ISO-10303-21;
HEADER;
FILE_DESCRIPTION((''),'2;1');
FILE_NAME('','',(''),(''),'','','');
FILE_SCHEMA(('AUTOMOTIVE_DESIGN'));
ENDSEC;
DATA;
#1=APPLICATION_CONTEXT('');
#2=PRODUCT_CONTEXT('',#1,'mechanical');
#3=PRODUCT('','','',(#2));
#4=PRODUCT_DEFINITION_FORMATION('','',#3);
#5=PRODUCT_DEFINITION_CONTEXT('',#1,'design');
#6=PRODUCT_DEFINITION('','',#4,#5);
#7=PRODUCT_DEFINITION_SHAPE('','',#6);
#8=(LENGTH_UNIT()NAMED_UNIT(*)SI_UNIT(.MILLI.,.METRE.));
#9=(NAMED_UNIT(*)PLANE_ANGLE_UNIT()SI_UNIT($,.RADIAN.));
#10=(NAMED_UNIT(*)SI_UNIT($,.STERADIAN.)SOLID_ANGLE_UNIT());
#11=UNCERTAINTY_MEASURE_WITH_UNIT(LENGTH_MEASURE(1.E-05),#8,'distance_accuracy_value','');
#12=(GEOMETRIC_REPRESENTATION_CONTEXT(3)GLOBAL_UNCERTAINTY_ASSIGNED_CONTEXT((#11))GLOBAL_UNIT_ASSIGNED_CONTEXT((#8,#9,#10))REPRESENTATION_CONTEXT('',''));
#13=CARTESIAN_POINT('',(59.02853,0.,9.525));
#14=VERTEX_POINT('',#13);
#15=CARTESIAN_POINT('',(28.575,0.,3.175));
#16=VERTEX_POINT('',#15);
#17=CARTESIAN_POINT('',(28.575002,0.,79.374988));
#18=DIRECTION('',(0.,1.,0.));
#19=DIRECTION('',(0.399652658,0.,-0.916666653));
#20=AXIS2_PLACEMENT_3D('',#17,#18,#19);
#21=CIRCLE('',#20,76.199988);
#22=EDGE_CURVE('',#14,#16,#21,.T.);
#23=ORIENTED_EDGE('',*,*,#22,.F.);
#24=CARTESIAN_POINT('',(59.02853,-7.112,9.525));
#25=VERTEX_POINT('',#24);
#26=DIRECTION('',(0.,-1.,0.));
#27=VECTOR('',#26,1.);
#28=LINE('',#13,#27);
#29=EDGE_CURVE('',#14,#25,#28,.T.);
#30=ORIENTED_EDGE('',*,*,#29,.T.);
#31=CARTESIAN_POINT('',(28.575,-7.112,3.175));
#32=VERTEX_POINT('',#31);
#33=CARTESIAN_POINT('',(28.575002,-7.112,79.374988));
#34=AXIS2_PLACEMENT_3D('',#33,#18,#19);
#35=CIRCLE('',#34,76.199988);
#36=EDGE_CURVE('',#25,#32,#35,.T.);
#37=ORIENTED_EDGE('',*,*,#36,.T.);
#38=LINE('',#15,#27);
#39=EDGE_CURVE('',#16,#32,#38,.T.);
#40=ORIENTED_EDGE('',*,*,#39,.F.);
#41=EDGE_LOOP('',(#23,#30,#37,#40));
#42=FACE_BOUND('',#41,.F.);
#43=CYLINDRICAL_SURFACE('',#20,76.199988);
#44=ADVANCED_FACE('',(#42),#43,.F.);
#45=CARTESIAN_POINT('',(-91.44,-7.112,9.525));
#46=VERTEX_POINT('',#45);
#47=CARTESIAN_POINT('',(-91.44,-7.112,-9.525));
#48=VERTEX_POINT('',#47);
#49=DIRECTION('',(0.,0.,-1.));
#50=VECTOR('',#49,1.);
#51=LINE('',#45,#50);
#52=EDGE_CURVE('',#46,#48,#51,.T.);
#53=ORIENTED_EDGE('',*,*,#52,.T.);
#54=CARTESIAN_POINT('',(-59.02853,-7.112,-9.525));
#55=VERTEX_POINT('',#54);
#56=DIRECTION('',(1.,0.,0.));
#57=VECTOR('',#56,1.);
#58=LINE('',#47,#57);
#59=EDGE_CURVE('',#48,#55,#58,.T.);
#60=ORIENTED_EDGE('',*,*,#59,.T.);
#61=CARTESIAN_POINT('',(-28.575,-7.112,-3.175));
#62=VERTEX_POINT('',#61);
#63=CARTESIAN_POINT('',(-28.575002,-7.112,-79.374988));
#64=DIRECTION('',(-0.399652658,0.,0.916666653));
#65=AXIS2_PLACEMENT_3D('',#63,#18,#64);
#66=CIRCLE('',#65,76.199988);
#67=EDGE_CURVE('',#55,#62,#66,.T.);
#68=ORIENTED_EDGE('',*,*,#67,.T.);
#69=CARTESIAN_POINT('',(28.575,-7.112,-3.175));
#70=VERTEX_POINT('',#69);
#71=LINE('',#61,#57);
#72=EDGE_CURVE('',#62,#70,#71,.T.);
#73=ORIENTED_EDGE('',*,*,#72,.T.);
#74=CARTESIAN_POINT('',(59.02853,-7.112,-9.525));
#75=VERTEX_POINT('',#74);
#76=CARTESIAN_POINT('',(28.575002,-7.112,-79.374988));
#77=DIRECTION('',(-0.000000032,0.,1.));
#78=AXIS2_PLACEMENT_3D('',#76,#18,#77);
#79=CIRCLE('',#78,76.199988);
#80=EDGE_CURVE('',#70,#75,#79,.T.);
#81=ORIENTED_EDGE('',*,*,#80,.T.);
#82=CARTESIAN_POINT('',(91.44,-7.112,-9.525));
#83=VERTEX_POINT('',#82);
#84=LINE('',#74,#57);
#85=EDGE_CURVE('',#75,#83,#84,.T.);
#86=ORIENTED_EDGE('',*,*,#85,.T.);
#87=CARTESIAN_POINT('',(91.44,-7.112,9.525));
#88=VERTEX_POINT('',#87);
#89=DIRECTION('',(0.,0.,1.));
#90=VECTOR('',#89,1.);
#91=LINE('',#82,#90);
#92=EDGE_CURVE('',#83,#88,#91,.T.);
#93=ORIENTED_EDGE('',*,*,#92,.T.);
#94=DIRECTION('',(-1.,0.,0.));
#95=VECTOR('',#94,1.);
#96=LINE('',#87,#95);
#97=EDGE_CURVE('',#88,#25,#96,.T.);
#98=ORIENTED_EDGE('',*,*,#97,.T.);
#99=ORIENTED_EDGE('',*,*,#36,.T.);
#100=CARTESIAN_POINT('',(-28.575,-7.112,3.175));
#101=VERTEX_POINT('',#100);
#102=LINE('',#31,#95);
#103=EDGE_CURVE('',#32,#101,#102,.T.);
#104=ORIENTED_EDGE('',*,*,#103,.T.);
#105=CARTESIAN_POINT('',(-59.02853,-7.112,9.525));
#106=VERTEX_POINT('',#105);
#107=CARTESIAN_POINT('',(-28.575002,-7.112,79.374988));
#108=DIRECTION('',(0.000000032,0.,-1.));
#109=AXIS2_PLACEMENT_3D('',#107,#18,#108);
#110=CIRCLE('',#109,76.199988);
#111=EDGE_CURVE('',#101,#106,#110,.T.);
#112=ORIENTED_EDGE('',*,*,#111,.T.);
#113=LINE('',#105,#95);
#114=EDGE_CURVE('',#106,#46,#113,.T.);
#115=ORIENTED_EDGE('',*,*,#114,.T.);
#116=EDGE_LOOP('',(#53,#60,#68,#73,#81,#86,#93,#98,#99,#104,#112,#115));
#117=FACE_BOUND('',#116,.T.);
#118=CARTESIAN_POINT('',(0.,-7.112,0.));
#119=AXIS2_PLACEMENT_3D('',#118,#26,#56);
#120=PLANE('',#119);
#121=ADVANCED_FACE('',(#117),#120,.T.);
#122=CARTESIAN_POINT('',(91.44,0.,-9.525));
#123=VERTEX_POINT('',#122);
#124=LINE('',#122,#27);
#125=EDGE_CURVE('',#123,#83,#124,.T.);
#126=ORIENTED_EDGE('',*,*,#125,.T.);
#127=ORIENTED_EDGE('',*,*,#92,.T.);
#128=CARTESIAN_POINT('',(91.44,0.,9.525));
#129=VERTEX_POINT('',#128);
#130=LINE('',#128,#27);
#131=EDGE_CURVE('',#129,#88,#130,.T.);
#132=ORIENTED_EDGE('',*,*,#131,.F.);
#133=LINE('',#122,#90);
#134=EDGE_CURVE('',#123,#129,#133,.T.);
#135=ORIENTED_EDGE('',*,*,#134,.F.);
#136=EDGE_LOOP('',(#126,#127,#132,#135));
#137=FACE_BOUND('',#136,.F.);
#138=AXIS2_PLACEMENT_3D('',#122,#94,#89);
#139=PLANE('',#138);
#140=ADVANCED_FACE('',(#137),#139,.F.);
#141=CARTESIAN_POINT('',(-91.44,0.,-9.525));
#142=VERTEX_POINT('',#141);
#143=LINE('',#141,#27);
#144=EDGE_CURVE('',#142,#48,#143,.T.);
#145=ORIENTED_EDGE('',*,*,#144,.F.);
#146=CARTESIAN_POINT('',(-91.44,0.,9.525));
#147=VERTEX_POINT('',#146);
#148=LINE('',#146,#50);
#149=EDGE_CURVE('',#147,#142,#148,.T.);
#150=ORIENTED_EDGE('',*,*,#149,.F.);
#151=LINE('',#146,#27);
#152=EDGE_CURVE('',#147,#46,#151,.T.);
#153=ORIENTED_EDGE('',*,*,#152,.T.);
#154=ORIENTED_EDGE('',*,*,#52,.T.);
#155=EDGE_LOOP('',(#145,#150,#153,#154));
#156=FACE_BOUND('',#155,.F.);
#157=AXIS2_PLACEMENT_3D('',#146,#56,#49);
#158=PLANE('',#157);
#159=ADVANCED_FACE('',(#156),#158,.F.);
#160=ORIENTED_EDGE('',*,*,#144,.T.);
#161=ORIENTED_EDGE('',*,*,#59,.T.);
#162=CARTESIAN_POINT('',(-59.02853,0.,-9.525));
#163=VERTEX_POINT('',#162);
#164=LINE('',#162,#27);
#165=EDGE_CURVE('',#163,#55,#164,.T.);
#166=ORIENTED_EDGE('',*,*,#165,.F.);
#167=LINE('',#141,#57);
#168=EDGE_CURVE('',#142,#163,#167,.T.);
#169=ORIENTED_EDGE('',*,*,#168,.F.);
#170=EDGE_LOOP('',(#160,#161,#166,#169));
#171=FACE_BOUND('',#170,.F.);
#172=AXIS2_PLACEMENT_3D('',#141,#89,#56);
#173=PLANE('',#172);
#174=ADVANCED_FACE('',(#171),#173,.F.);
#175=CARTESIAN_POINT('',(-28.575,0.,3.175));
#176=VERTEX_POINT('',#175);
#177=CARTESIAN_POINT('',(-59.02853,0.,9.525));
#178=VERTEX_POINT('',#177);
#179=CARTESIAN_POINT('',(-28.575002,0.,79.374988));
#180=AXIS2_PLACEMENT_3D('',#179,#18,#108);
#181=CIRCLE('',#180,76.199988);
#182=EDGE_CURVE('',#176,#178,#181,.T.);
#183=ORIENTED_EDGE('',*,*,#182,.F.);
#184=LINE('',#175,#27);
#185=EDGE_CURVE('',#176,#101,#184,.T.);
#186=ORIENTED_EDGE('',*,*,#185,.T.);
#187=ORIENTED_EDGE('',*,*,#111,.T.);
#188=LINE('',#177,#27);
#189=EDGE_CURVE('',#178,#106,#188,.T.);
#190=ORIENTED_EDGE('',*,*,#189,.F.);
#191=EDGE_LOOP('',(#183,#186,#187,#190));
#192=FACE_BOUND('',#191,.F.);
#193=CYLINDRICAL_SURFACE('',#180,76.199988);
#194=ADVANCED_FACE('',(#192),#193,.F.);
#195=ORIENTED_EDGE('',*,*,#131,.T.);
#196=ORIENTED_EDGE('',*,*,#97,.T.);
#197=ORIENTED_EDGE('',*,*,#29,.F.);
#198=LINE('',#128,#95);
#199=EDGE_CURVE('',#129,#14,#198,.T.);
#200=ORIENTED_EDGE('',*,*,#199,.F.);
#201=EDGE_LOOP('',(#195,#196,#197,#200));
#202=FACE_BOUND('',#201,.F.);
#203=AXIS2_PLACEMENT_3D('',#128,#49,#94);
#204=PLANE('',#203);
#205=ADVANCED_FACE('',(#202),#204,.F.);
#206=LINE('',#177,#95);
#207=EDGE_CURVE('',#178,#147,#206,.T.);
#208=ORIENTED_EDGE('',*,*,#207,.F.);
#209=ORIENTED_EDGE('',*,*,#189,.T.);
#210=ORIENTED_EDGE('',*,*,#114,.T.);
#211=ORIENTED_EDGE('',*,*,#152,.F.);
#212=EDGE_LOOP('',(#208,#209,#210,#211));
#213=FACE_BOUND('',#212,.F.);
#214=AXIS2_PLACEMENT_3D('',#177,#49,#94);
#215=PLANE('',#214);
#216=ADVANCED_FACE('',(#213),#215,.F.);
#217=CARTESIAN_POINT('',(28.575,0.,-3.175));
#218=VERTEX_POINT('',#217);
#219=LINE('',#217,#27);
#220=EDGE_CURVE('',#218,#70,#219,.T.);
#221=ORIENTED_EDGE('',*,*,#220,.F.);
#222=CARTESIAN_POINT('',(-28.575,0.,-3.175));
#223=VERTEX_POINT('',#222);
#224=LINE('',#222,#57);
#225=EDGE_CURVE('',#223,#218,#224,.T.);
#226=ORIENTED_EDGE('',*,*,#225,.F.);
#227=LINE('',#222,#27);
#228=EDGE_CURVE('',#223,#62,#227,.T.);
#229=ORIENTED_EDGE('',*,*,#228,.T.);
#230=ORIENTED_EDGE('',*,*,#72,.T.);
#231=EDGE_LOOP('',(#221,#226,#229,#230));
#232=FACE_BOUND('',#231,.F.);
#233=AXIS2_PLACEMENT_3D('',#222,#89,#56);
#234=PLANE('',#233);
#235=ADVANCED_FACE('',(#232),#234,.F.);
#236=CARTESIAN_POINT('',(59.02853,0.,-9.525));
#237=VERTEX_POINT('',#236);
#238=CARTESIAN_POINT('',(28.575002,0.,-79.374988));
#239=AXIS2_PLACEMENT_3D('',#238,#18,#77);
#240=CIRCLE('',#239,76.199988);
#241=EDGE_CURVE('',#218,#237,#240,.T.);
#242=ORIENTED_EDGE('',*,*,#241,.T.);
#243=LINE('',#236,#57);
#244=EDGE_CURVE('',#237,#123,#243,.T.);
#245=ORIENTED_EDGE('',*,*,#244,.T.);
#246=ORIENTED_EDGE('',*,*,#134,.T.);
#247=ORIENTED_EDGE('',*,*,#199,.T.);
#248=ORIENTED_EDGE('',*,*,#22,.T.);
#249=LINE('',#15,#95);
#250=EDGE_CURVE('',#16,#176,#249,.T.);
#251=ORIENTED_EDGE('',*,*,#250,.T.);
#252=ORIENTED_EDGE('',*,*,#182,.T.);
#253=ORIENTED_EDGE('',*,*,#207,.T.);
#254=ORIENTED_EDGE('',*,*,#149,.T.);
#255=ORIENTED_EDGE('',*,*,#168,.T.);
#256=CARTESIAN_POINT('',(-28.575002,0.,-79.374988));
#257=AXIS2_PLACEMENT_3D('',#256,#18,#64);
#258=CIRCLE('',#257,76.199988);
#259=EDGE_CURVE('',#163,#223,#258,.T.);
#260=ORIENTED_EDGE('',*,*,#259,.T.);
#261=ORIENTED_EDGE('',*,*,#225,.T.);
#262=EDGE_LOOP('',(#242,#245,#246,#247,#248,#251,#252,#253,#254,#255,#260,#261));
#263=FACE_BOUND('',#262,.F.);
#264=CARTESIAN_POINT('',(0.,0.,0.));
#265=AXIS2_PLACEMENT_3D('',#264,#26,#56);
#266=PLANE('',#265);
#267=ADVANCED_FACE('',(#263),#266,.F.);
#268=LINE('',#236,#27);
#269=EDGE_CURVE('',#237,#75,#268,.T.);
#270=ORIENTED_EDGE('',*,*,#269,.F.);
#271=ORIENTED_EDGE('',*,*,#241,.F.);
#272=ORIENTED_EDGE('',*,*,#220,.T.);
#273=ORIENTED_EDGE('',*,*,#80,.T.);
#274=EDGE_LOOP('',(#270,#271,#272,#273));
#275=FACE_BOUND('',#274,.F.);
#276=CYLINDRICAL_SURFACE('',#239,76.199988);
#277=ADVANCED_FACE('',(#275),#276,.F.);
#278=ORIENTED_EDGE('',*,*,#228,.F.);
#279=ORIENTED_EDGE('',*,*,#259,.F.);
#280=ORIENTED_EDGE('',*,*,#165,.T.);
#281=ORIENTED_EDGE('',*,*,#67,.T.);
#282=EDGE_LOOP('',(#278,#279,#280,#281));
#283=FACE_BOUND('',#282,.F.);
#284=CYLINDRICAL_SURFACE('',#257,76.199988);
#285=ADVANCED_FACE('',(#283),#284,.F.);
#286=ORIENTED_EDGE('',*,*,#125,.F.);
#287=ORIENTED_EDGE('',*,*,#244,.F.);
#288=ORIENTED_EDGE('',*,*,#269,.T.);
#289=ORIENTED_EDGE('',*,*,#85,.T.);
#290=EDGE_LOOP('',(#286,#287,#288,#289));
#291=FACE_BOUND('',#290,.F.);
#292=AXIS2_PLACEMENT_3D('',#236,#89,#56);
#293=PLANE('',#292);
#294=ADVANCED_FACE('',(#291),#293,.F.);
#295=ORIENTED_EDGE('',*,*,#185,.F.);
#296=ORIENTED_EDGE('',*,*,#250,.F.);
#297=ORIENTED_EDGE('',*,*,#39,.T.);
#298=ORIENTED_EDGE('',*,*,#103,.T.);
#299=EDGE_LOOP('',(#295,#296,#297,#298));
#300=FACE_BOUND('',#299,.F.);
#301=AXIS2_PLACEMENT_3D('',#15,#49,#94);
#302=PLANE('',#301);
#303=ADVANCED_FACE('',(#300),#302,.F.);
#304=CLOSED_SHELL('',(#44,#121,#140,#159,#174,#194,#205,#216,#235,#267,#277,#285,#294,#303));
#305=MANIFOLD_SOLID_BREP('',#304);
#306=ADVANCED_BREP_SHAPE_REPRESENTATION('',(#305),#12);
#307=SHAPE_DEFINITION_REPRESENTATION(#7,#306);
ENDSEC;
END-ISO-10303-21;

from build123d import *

# Parameters (mm, degrees)
F1_DEPTH = 7.112


with BuildPart() as f1:
    # F0 (on Front) → F1 (new body)
    with BuildSketch(Plane.XZ):
        with BuildLine():
            Line((28.575, 3.175), (0, 3.175))
            Line((0, 3.175), (-28.575, 3.175))
            ThreePointArc((-28.575, 3.175), (-44.12926, 4.77939), (-59.02853, 9.525))
            Line((-59.02853, 9.525), (-91.44, 9.525))
            Line((-91.44, 9.525), (-91.44, 0))
            Line((-91.44, 0), (-91.44, -9.525))
            Line((-91.44, -9.525), (-59.02853, -9.525))
            ThreePointArc((-59.02853, -9.525), (-44.12926, -4.77939), (-28.575, -3.175))
            Line((-28.575, -3.175), (0, -3.175))
            Line((0, -3.175), (28.575, -3.175))
            ThreePointArc((28.575, -3.175), (44.12926, -4.77939), (59.02853, -9.525))
            Line((59.02853, -9.525), (91.44, -9.525))
            Line((91.44, -9.525), (91.44, 0))
            Line((91.44, 0), (91.44, 9.525))
            Line((91.44, 9.525), (59.02853, 9.525))
            ThreePointArc((59.02853, 9.525), (44.12926, 4.77939), (28.575, 3.175))
        make_face()
    extrude(amount=F1_DEPTH)


solid = f1.part
